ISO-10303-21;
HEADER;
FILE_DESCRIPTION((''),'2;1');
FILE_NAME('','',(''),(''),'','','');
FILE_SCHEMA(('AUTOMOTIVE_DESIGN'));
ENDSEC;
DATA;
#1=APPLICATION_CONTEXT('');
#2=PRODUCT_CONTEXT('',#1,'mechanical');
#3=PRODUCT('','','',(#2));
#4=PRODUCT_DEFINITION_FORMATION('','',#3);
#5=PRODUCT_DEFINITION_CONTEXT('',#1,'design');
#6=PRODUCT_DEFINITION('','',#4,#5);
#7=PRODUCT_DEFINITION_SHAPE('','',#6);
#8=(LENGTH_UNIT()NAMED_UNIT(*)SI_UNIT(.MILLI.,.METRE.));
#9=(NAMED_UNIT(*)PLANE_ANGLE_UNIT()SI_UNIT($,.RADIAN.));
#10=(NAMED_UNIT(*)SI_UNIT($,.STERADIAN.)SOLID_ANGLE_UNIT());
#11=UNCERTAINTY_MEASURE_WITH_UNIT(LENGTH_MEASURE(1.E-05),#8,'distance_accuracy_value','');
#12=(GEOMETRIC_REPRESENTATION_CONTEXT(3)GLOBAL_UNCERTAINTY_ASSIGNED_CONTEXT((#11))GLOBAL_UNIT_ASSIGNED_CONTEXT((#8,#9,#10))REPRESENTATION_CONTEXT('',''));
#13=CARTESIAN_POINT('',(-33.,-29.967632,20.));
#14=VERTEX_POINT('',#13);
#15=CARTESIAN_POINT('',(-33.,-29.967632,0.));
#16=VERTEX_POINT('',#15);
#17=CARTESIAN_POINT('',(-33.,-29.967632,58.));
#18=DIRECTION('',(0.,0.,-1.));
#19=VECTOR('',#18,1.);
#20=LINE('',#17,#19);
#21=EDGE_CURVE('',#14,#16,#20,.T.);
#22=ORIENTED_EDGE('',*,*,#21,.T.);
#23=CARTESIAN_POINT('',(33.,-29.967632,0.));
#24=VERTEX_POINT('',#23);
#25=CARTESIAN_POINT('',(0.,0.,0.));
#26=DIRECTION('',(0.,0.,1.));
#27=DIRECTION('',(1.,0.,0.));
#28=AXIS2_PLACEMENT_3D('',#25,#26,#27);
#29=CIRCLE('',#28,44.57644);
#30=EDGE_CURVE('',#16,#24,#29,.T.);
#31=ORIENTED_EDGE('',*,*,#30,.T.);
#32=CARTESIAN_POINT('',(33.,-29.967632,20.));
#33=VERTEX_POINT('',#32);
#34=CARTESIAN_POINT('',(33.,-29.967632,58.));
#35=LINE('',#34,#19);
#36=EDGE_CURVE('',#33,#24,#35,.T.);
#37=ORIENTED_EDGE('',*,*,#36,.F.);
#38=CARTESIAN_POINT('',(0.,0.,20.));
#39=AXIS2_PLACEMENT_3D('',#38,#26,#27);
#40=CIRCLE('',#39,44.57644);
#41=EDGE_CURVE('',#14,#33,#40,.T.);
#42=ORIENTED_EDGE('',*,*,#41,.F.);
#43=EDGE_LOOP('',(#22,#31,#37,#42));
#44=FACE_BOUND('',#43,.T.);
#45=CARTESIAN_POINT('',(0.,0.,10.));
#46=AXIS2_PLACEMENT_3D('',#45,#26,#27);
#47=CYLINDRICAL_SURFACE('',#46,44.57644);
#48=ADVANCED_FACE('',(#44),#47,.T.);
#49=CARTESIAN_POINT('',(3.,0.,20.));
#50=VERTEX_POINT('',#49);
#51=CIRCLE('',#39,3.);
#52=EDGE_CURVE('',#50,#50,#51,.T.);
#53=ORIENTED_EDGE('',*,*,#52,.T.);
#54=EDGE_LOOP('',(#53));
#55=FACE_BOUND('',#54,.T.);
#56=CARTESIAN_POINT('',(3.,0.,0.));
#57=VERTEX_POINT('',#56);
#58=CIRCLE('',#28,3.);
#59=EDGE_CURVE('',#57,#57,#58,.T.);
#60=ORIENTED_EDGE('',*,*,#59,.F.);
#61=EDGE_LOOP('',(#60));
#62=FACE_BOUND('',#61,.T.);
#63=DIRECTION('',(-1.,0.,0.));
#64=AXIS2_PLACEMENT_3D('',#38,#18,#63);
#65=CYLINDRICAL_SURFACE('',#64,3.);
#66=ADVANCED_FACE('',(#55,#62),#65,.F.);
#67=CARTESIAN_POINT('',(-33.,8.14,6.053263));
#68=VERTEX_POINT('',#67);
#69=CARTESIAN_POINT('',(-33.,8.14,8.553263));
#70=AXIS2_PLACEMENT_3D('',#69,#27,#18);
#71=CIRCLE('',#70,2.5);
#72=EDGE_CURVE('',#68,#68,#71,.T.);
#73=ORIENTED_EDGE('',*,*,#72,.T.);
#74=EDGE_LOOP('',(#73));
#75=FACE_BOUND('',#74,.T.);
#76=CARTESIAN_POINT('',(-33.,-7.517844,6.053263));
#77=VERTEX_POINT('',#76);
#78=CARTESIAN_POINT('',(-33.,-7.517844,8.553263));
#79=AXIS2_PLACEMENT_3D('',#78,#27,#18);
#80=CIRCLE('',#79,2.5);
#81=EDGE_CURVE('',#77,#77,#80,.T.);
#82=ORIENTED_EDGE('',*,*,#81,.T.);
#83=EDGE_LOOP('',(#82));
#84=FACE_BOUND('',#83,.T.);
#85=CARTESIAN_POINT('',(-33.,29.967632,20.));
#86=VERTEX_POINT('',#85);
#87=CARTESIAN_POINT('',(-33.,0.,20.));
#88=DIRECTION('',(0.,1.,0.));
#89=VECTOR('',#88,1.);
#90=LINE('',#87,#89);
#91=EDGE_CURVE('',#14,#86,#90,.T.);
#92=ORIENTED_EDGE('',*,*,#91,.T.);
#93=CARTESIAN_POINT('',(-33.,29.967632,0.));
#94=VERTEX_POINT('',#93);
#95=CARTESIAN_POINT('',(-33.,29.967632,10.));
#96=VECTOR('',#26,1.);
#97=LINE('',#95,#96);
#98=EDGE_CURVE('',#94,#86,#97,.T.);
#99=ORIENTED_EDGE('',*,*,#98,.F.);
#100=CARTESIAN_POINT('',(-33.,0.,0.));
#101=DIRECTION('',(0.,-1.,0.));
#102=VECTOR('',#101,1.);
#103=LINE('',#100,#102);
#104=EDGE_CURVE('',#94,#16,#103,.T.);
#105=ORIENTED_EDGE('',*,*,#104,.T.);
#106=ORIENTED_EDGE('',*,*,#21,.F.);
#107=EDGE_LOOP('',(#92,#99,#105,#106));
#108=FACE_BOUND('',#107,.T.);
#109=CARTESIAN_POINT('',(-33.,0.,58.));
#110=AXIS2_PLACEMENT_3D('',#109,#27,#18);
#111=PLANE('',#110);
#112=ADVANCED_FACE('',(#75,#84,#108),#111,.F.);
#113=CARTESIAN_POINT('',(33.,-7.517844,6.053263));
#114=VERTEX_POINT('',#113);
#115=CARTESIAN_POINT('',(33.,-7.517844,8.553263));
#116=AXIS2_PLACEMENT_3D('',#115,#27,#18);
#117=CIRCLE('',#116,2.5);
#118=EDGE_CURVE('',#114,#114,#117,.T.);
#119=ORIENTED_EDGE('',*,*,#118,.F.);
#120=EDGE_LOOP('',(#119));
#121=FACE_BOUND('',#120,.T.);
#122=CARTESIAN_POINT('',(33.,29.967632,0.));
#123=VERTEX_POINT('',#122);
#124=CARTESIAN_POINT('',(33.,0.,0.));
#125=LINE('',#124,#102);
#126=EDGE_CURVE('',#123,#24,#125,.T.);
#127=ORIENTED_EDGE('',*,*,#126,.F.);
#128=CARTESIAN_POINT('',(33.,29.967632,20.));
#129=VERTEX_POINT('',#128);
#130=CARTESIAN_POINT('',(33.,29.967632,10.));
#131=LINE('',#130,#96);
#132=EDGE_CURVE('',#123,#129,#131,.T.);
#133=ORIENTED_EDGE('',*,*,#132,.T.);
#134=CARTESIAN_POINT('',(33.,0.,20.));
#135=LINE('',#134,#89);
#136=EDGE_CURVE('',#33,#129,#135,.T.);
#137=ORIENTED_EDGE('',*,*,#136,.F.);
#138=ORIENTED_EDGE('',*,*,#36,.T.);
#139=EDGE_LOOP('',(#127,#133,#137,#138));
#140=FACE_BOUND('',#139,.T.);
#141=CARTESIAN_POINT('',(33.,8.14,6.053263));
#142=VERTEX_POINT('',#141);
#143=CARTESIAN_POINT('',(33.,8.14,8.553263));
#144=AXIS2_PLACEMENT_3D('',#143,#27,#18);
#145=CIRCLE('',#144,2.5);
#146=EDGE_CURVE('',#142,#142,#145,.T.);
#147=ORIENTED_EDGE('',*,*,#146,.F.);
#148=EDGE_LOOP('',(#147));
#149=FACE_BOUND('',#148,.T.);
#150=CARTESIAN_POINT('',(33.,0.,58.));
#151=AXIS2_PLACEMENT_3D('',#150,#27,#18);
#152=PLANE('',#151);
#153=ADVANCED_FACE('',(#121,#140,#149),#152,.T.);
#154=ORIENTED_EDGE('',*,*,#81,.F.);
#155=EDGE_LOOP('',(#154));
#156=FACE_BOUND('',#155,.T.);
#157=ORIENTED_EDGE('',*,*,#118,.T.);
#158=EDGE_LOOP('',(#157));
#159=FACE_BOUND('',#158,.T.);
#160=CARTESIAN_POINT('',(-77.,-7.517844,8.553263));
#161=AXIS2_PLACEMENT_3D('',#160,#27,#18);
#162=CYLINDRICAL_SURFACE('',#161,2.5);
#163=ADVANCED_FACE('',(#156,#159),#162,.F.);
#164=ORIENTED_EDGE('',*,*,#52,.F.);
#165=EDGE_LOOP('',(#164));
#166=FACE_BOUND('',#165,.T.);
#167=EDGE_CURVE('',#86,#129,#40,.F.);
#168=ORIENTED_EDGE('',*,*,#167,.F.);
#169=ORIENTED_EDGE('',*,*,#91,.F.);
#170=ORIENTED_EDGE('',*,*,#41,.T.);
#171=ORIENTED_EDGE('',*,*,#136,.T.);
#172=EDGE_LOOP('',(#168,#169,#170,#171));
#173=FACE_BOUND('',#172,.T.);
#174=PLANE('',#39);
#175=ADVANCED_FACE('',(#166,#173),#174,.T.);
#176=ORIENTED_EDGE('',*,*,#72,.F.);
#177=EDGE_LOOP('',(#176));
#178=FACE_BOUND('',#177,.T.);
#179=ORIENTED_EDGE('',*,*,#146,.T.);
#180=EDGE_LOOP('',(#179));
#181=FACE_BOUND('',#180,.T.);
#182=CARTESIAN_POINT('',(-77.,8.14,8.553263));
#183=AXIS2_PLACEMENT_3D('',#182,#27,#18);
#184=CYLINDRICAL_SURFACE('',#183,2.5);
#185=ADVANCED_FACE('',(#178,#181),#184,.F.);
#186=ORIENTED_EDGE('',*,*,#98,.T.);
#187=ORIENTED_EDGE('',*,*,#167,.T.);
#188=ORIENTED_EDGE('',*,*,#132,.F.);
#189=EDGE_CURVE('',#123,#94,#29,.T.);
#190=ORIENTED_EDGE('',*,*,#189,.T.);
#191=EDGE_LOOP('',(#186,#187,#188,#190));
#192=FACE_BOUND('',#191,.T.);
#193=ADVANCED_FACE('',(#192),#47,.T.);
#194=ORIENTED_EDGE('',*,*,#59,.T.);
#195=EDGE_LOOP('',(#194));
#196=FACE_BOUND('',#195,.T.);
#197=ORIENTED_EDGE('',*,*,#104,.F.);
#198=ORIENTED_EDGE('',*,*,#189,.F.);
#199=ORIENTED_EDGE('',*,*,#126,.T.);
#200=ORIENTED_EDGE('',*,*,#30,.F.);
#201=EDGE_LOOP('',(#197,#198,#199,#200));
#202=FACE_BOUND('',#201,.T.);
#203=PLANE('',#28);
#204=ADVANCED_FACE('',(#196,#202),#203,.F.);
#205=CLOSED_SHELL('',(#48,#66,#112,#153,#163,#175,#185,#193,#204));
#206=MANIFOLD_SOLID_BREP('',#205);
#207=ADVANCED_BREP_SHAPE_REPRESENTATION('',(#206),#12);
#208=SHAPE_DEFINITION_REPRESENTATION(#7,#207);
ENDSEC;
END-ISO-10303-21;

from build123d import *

# Parameters (mm, degrees)
SKETCH1_R           = 55
SKETCH1_R_2         = 3
BOSS_EXTRUDE1_DEPTH = 20
SKETCH2_R           = 52
CUT_EXTRUDE1_DEPTH  = 10
SKETCH3_R           = 73.645142789
CUT_EXTRUDE2_DEPTH  = 40
CUT_EXTRUDE4_START  = -58
CUT_EXTRUDE4_DEPTH  = 58
SKETCH5_R           = 2.5
CUT_EXTRUDE3_DEPTH  = 110


with BuildPart() as part:
    # Sketch1 → Boss-Extrude1 (new body)
    with BuildSketch(Plane.XY):
        Circle(SKETCH1_R)
        Circle(SKETCH1_R_2, mode=Mode.SUBTRACT)
    extrude(amount=BOSS_EXTRUDE1_DEPTH)

    # Sketch2 → Cut-Extrude1 (cut)
    with BuildSketch(Plane.XY.offset(20)):
        Circle(SKETCH2_R)
        with BuildLine():
            Line((-41.361950208, 16.620711788), (-41.361950208, -16.620711788))
            ThreePointArc((-41.361950208, -16.620711788), (0, -44.576439802), (41.361950208, -16.620711788))
            Line((41.361950208, -16.620711788), (41.361950208, 16.620711788))
            ThreePointArc((41.361950208, 16.620711788), (0, 44.576439802), (-41.361950208, 16.620711788))
        make_face(mode=Mode.SUBTRACT)
    extrude(amount=-CUT_EXTRUDE1_DEPTH, mode=Mode.SUBTRACT)

    # Sketch3 → Cut-Extrude2 (cut)
    with BuildSketch(Plane.XY.offset(20)):
        Circle(SKETCH3_R)
        with BuildLine():
            Line((-41.361950208, 16.620711788), (-41.361950208, -16.620711788))
            ThreePointArc((-41.361950208, -16.620711788), (0, -44.576439802), (41.361950208, -16.620711788))
            Line((41.361950208, -16.620711788), (41.361950208, 16.620711788))
            ThreePointArc((41.361950208, 16.620711788), (0, 44.576439802), (-41.361950208, 16.620711788))
        make_face(mode=Mode.SUBTRACT)
    extrude(amount=-CUT_EXTRUDE2_DEPTH, mode=Mode.SUBTRACT)

    # Sketch6 → Cut-Extrude4 (cut)
    with BuildSketch(Plane(origin=(0, 0, 0), x_dir=(-1, 0, 0), z_dir=(0, 0, -1)).offset(CUT_EXTRUDE4_START)):
        with BuildLine():
            ThreePointArc((-41.361950208, 16.620711788), (-37.775123844, 23.66641088), (-33, 29.967632295))
            Line((-33, 29.967632295), (-58.675122088, 18.005162572))
            Line((-58.675122088, 18.005162572), (-58.675122088, -19.387832384))
            Line((-58.675122088, -19.387832384), (-33, -29.967632295))
            ThreePointArc((-33, -29.967632295), (-37.775123844, -23.66641088), (-41.361950208, -16.620711788))
            Line((-41.361950208, -16.620711788), (-41.361950208, 16.620711788))
        make_face()
        with BuildLine():
            Line((-33, -29.967632295), (-33, 29.967632295))
            ThreePointArc((-33, 29.967632295), (-37.775123844, 23.66641088), (-41.361950208, 16.620711788))
            Line((-41.361950208, 16.620711788), (-41.361950208, -16.620711788))
            ThreePointArc((-41.361950208, -16.620711788), (-37.775123844, -23.66641088), (-33, -29.967632295))
        make_face()
        with BuildLine():
            Line((59.4434713, 26.815208095), (33, 29.967632295))
            ThreePointArc((33, 29.967632295), (37.775123844, 23.66641088), (41.361950208, 16.620711788))
            Line((41.361950208, 16.620711788), (41.361950208, -16.620711788))
            ThreePointArc((41.361950208, -16.620711788), (37.775123844, -23.66641088), (33, -29.967632295))
            Line((33, -29.967632295), (59.4434713, -14.291474717))
            Line((59.4434713, -14.291474717), (59.4434713, 26.815208095))
        make_face()
        with BuildLine():
            ThreePointArc((41.361950208, 16.620711788), (37.775123844, 23.66641088), (33, 29.967632295))
            Line((33, 29.967632295), (33, -29.967632295))
            ThreePointArc((33, -29.967632295), (37.775123844, -23.66641088), (41.361950208, -16.620711788))
            Line((41.361950208, -16.620711788), (41.361950208, 16.620711788))
        make_face()
    extrude(amount=CUT_EXTRUDE4_DEPTH, mode=Mode.SUBTRACT)

    # Sketch5 → Cut-Extrude3 (cut)
    with BuildSketch(Plane(origin=(33, 0, 0), x_dir=(0, 0, -1), z_dir=(1, 0, 0))):
        with Locations((-8.553262896, -7.517843705)):
            Circle(SKETCH5_R)
        with Locations((-8.553262896, 8.14)):
            Circle(SKETCH5_R)
    extrude(amount=-CUT_EXTRUDE3_DEPTH, mode=Mode.SUBTRACT)


solid = part.part
